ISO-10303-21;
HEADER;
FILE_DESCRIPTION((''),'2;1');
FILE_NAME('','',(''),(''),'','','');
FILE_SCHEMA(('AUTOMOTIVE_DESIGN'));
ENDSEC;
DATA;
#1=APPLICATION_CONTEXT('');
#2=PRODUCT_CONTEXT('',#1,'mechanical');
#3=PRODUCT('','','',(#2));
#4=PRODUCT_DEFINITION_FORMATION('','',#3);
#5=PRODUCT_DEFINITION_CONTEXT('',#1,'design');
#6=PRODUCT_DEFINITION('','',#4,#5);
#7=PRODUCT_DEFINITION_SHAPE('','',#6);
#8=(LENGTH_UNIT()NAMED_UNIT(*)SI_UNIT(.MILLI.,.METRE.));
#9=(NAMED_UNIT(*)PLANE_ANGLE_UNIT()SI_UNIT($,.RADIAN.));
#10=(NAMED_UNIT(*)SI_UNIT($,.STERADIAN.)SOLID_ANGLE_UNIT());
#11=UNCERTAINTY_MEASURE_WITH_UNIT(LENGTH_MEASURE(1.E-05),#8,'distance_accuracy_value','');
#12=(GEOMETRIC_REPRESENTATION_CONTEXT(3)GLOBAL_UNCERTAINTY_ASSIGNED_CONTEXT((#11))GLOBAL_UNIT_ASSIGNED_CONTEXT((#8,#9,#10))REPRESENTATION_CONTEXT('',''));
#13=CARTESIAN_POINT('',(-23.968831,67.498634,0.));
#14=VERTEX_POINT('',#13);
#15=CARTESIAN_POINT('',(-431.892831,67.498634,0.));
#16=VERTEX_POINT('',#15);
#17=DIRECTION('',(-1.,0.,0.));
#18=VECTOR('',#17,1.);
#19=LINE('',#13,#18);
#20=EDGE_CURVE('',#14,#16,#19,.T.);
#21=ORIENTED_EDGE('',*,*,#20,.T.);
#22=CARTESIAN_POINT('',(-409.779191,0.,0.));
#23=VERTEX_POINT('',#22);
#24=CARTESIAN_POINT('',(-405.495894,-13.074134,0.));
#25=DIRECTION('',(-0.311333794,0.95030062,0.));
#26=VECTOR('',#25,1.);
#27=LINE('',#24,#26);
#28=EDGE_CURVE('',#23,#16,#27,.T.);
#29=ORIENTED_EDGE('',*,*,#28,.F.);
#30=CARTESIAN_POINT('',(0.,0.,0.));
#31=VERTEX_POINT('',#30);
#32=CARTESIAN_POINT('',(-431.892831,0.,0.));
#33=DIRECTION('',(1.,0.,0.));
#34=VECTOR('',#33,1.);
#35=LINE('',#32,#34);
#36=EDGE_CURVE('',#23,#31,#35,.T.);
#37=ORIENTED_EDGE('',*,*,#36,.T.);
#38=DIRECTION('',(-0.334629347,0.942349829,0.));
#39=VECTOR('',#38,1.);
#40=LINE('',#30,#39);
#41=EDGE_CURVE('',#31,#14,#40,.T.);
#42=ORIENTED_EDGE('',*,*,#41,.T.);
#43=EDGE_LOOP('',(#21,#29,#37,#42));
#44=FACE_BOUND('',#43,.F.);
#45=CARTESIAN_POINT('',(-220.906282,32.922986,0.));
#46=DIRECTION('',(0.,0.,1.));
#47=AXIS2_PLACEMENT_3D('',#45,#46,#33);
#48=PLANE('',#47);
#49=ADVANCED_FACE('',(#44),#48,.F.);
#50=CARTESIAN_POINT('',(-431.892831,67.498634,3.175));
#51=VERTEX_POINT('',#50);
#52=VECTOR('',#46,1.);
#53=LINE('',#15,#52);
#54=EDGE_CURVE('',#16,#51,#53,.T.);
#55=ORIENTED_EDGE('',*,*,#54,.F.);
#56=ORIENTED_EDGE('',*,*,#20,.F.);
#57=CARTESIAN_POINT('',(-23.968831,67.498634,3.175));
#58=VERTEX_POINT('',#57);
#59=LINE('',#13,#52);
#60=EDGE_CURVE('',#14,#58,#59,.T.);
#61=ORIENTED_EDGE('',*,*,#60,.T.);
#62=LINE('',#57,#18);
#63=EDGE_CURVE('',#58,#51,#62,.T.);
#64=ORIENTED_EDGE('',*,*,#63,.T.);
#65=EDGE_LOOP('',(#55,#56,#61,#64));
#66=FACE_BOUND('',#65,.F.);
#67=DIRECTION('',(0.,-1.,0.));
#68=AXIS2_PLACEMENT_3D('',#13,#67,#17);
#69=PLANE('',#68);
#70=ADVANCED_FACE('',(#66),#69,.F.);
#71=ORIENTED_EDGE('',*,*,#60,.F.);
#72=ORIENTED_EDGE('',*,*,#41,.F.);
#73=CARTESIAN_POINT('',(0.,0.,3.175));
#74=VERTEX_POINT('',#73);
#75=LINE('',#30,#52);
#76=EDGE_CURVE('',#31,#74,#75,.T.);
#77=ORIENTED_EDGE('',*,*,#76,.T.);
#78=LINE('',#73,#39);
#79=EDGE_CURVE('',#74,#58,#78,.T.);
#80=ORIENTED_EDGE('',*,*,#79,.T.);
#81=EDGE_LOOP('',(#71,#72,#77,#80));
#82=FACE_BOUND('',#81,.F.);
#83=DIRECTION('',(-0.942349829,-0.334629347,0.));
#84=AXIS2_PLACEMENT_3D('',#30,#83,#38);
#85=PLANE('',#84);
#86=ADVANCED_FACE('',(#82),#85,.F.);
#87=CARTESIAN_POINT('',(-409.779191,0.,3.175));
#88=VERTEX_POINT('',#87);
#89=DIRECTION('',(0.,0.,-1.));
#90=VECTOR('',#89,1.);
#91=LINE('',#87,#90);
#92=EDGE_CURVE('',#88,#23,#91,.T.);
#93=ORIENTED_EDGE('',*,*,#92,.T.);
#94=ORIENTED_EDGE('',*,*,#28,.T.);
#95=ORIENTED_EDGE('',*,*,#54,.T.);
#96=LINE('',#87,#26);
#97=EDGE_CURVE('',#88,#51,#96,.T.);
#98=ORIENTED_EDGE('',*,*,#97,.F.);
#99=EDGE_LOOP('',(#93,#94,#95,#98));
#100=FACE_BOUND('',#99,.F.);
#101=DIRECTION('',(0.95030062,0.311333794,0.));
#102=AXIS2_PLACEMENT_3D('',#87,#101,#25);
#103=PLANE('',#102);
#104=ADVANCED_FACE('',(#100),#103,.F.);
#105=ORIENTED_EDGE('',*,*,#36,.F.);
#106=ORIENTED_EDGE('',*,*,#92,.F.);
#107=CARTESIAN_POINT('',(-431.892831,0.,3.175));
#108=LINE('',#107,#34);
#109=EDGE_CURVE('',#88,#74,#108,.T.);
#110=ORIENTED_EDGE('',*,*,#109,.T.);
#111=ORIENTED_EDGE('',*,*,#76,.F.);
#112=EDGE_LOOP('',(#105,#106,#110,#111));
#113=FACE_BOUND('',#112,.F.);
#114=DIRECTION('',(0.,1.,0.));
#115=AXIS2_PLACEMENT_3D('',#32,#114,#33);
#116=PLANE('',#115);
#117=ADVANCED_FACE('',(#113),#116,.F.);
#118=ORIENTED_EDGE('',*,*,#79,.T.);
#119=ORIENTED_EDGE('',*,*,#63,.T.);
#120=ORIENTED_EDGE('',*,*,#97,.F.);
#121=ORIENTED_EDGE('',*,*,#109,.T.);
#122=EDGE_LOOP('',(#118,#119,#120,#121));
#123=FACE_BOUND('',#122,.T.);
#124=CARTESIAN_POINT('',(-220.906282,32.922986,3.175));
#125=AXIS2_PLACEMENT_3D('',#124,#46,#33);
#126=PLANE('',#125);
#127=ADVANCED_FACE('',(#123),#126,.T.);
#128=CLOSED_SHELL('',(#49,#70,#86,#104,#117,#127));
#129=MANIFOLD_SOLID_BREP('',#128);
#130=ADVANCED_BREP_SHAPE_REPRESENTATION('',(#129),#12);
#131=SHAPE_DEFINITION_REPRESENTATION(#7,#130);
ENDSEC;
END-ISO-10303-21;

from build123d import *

# Parameters (mm, degrees)
F1_DEPTH = 3.175
F3_DEPTH = 25.4


with BuildPart() as f1:
    # F0 (on Top) → F1 (new body)
    with BuildSketch(Plane.XY):
        Polygon((-431.892831, 0), (0, 0), (-23.968831, 67.498634), (-431.892831, 67.498634), align=None)
    extrude(amount=F1_DEPTH)

    # F2 (on face) → F3 (cut)
    with BuildSketch(Plane.XY.offset(3.175)):
        Polygon((-409.779191, 0), (-431.892831, 67.498634), (-431.892831, 0), align=None)
    extrude(amount=-F3_DEPTH, mode=Mode.SUBTRACT)


solid = f1.part
